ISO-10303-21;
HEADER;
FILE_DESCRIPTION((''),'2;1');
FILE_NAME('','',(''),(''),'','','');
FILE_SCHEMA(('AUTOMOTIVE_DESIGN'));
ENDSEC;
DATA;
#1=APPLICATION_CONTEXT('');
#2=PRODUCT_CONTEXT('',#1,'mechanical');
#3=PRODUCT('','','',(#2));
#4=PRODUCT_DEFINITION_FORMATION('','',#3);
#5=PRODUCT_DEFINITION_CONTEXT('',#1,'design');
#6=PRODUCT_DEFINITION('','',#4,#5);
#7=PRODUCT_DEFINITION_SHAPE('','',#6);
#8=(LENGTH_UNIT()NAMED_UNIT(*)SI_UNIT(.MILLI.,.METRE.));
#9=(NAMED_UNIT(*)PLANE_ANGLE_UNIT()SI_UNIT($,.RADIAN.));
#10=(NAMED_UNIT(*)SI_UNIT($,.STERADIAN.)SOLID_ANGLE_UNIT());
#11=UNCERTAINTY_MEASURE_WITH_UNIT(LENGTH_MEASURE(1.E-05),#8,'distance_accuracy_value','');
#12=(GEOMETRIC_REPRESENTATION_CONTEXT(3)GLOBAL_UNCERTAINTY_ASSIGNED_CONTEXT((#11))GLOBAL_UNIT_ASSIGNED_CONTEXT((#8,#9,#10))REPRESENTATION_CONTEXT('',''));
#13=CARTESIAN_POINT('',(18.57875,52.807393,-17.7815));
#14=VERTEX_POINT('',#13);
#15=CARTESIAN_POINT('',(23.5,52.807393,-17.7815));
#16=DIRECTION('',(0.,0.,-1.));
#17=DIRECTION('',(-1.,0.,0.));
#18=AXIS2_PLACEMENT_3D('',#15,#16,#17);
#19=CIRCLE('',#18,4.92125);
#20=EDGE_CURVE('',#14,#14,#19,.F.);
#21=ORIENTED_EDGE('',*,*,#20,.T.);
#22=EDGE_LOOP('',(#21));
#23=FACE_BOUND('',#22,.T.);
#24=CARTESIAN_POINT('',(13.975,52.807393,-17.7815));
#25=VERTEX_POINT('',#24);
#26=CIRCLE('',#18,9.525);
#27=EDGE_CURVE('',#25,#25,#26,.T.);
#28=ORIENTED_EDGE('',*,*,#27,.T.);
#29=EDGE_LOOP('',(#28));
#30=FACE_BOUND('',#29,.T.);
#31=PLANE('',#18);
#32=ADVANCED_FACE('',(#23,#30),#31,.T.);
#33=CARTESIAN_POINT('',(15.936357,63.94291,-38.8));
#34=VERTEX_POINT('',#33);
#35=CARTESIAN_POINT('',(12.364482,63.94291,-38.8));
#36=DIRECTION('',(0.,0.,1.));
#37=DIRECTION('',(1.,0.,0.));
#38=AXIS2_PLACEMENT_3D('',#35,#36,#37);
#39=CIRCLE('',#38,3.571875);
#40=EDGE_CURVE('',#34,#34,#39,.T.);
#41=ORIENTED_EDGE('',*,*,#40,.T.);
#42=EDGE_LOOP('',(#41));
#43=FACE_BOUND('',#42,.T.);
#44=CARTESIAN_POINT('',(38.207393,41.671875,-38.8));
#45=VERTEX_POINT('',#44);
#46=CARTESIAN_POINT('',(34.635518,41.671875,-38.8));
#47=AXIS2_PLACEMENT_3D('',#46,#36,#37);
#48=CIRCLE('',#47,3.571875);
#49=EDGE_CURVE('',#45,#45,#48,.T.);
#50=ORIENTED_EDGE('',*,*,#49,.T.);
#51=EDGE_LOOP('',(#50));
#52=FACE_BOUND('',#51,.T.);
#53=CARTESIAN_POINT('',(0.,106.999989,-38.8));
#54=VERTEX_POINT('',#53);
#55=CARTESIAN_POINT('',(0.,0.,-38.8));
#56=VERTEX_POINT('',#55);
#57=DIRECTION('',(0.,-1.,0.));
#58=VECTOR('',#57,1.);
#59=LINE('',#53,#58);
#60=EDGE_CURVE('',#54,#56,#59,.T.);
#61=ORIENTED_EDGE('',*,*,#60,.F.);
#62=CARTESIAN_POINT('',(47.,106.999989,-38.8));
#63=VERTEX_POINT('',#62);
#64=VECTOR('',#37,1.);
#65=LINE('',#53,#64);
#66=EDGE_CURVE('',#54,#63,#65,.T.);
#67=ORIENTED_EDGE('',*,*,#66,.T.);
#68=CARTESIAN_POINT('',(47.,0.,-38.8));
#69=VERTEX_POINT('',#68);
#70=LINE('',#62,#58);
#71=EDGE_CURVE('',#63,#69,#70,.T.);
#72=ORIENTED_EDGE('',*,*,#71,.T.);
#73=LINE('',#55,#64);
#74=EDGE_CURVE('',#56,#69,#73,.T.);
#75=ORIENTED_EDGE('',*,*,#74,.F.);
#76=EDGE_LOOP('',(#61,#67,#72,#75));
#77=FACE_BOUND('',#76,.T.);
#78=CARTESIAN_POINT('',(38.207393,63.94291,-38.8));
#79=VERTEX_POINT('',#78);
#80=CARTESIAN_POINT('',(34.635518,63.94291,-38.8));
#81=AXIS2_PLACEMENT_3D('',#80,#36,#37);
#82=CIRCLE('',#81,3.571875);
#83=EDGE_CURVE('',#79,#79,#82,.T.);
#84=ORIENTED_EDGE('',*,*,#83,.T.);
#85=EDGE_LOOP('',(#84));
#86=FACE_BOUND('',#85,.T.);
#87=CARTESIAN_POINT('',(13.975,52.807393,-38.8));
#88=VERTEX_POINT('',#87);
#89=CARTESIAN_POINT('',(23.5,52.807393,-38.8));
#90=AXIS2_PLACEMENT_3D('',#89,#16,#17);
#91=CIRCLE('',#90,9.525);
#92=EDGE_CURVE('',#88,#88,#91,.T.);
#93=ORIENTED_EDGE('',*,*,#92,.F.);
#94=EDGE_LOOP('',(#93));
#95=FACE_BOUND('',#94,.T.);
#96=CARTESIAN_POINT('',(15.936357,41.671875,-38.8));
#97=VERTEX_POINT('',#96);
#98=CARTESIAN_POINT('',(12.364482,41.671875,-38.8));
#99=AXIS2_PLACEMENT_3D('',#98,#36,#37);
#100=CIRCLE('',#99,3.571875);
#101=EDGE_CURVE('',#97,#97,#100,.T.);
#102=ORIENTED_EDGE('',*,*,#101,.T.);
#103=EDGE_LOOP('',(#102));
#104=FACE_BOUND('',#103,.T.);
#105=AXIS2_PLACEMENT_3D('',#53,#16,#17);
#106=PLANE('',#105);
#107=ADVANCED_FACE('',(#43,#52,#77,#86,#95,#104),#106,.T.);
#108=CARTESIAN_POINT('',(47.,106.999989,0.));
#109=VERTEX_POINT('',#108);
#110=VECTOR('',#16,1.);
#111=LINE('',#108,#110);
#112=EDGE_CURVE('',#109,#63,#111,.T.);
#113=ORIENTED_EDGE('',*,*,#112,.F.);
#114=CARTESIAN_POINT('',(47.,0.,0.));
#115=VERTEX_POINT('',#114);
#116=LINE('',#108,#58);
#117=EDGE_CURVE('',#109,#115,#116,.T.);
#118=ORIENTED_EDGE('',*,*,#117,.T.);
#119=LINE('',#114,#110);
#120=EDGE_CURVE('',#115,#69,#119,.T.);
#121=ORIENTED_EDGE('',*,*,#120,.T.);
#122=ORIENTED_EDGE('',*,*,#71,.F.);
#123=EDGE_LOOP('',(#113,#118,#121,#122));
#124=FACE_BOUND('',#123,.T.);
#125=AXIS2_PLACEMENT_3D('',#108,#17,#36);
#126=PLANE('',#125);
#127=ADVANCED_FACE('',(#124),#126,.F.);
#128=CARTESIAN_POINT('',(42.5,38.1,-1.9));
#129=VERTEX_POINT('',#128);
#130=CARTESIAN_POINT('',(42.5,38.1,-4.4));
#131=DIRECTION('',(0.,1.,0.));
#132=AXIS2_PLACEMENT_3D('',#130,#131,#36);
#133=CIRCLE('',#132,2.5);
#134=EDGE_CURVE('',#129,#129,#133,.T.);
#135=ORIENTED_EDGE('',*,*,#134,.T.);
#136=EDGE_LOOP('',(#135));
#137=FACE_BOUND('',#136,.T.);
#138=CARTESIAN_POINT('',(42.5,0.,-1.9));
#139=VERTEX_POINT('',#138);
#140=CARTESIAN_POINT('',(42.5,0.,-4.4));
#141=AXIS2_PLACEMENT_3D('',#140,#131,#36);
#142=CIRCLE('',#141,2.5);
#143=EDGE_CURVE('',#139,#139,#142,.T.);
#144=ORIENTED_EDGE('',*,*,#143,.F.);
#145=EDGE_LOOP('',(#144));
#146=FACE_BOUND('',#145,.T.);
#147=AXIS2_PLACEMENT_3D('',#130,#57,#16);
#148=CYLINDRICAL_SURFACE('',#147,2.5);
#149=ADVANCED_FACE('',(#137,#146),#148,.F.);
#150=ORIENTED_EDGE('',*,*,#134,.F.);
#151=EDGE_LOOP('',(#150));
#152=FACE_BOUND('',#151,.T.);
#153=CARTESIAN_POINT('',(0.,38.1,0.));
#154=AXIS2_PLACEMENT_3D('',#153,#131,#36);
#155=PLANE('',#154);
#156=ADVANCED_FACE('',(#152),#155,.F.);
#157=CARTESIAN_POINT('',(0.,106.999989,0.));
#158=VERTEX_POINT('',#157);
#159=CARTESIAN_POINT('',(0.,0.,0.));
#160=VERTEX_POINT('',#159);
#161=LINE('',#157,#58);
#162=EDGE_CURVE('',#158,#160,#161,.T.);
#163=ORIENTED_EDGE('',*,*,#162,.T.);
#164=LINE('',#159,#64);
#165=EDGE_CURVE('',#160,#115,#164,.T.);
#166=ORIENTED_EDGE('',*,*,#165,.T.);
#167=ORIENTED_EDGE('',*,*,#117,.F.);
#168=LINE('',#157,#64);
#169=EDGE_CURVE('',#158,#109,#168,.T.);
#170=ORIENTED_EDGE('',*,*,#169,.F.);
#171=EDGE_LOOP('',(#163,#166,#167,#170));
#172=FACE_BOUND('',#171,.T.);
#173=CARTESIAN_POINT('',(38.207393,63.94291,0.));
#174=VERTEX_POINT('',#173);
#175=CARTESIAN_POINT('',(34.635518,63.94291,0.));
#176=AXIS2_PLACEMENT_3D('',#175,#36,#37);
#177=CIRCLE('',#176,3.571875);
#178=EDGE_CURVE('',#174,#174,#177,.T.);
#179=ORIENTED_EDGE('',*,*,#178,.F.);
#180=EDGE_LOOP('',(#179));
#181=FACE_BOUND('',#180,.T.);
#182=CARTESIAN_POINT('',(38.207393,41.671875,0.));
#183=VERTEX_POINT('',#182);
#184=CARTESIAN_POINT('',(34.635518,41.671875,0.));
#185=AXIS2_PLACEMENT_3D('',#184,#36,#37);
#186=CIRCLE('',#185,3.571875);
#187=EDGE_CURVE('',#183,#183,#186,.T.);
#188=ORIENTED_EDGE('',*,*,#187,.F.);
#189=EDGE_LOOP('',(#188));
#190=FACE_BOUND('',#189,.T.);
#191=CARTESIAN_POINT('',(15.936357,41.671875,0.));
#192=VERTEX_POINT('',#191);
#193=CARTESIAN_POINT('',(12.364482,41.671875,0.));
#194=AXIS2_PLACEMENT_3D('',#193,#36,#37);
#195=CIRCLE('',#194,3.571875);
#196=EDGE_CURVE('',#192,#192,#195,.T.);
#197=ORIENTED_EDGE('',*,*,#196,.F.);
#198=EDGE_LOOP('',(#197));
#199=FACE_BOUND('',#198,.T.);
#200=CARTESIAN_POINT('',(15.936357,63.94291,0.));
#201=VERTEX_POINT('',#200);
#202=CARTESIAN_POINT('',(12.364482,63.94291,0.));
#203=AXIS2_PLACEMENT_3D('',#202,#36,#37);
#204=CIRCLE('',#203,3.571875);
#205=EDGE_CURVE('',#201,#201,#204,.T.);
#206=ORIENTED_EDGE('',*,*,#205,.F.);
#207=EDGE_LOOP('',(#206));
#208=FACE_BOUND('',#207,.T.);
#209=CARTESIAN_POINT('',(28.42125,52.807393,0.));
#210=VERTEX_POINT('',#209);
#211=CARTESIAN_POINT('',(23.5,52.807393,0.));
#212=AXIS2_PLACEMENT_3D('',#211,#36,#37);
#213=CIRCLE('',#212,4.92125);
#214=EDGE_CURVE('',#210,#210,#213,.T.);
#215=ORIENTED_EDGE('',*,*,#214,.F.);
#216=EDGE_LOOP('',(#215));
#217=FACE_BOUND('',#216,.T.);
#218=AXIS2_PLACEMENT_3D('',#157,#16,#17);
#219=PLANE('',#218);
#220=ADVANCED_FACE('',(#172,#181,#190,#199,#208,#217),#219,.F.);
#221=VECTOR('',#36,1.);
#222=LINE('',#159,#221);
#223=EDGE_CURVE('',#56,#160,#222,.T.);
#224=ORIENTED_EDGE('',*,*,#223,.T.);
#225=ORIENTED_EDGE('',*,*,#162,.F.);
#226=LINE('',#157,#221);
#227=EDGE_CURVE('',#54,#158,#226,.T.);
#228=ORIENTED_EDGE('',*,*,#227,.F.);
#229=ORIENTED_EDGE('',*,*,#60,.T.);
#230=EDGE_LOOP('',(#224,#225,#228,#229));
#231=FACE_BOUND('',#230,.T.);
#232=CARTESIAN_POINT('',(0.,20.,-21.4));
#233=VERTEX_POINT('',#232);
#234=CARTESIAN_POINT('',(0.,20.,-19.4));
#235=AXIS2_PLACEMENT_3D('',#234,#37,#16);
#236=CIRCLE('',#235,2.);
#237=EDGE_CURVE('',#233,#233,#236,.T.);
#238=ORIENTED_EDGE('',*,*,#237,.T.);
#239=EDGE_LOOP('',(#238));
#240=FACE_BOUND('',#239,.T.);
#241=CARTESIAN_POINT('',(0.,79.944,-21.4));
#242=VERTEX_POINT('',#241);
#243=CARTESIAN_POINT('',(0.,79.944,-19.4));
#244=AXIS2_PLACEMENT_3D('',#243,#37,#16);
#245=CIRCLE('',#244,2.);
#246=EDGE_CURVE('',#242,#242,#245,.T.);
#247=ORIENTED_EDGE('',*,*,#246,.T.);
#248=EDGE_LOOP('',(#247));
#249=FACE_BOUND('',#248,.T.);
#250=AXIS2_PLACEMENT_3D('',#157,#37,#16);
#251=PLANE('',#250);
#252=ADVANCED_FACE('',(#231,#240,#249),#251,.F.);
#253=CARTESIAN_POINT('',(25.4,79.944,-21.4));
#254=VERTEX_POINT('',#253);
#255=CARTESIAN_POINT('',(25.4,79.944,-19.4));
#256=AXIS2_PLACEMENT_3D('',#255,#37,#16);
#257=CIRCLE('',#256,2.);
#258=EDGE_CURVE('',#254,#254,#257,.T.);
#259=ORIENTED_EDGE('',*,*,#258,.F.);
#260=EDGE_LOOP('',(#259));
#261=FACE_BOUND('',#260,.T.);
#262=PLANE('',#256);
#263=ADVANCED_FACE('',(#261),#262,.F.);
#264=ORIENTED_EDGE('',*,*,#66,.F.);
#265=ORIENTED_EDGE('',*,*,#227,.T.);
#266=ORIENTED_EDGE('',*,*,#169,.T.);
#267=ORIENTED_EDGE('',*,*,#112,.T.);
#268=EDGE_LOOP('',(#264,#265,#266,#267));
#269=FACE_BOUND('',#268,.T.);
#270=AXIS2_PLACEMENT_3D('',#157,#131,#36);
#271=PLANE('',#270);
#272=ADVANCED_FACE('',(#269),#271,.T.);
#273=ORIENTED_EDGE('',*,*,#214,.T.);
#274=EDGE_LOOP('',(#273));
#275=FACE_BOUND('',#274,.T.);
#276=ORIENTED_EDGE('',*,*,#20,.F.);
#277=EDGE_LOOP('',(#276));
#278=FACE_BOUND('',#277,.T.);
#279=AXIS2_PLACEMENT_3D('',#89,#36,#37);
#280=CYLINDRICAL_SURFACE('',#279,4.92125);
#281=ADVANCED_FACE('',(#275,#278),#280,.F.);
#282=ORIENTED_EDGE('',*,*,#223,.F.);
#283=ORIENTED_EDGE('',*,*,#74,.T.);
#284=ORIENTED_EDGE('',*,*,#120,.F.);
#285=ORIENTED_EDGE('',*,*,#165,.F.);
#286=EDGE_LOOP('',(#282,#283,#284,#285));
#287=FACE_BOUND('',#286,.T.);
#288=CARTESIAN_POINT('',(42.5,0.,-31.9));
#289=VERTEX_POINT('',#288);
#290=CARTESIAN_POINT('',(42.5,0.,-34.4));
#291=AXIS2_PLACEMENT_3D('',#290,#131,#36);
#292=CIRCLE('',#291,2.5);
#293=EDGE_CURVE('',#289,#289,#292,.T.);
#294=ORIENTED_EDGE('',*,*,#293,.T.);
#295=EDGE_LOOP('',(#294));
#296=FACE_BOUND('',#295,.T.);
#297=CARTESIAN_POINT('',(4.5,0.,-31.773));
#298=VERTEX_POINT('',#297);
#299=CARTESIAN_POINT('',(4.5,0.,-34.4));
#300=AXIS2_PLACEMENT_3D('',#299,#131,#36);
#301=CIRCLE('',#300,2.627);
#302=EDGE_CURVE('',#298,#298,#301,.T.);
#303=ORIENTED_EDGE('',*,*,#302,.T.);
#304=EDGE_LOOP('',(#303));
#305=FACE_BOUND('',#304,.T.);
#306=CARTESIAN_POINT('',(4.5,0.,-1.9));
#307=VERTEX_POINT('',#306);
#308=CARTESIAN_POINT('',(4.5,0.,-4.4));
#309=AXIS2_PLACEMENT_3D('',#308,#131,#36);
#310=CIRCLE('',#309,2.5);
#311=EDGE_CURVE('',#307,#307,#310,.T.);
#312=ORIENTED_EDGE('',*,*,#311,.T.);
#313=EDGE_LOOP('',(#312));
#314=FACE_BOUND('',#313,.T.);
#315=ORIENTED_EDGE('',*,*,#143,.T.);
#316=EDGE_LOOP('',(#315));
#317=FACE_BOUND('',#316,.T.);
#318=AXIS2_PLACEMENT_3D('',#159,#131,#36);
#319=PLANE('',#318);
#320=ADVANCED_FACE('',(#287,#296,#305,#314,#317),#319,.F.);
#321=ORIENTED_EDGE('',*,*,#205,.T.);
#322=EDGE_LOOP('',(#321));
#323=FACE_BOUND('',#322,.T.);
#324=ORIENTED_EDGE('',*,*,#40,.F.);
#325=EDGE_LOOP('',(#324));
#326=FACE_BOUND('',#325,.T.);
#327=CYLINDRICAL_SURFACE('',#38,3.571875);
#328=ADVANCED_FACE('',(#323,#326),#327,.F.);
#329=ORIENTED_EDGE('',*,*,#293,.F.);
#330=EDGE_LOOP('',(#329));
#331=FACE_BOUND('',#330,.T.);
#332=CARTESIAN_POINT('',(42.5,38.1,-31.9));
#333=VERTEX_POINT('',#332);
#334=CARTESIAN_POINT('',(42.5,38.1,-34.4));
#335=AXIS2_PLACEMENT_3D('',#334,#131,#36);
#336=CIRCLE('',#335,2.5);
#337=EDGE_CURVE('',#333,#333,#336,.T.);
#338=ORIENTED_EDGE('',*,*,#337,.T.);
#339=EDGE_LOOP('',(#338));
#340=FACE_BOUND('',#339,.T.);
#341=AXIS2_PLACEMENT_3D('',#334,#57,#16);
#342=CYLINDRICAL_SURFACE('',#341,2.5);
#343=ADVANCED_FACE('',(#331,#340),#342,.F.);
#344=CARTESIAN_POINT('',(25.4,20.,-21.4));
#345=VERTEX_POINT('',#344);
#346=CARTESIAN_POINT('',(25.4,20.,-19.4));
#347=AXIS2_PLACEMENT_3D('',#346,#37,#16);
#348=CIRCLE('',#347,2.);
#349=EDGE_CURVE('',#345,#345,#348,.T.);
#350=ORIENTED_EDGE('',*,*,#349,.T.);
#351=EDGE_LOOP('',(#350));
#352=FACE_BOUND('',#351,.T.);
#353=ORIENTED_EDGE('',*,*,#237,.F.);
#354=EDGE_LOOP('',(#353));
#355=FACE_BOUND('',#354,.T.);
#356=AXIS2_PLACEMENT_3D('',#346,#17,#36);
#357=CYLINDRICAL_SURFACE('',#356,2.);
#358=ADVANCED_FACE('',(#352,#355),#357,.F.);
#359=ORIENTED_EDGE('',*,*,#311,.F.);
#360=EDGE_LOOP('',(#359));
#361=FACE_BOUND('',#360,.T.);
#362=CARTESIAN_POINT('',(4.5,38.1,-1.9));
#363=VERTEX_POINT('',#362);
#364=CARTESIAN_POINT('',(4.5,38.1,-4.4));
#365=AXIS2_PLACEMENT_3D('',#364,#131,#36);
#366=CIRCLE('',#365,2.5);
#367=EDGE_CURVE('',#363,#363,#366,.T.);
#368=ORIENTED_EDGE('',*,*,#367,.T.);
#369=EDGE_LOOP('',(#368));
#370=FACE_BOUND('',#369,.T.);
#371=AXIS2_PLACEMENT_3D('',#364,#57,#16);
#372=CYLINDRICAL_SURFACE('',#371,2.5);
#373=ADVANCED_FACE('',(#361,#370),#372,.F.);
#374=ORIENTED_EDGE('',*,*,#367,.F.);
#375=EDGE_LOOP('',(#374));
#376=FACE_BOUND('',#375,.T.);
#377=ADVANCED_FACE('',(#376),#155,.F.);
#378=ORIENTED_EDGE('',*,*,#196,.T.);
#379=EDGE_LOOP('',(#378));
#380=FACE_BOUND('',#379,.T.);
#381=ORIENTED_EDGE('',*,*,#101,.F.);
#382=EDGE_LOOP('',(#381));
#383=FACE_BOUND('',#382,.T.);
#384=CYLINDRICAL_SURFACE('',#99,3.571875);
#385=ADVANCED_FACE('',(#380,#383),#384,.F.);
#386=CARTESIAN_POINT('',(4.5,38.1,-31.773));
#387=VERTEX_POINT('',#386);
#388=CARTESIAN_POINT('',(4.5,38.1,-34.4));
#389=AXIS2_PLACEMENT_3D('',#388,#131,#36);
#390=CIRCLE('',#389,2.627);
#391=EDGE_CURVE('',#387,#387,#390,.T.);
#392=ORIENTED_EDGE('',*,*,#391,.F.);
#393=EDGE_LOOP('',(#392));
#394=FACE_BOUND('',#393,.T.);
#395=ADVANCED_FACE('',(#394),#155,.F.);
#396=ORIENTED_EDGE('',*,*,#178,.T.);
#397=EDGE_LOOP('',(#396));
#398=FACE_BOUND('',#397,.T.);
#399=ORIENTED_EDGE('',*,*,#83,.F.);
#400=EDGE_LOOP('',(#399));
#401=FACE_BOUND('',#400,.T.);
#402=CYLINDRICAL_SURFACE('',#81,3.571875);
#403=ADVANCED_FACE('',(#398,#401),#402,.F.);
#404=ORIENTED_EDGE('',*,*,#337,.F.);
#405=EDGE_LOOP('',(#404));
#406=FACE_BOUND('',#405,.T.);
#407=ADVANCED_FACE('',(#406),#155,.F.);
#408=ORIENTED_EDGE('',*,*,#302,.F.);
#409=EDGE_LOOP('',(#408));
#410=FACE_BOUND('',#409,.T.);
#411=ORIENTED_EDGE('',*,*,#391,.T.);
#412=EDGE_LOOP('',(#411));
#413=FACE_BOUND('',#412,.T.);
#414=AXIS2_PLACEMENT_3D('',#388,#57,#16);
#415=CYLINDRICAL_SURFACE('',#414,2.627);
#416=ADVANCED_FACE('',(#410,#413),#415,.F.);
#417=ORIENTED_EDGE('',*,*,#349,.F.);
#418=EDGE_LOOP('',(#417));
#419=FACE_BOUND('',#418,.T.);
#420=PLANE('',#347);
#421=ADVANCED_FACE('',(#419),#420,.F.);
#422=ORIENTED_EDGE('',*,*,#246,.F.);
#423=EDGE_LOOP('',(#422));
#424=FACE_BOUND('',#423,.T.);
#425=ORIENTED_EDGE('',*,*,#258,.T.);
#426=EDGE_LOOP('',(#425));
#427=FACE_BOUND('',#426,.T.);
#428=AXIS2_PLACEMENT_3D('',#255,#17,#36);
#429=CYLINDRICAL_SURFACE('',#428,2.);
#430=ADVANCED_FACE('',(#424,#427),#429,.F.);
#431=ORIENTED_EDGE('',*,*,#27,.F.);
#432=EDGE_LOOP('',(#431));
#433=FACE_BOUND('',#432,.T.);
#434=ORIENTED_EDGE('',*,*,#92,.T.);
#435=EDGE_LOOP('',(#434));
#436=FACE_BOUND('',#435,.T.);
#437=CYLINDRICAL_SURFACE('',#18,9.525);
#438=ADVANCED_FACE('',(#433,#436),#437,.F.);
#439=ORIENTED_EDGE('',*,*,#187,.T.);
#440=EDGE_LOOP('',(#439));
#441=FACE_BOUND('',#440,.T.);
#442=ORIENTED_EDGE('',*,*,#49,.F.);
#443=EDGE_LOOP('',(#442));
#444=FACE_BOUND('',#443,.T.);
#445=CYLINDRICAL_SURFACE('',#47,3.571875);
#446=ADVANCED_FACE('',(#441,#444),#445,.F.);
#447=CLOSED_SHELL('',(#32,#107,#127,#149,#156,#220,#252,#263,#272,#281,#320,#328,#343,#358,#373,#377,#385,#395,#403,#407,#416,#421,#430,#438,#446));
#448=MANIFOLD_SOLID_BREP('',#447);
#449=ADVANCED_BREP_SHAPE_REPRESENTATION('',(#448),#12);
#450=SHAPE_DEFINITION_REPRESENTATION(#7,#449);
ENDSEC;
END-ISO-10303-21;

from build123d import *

# Parameters (mm, degrees)
SKETCH1_W           = 47
SKETCH1_H           = 38.8
SKETCH1_R           = 2.5
SKETCH1_R_2         = 2.627
BOSS_EXTRUDE1_DEPTH = 106.999989
SKETCH2_R           = 3.571875
SKETCH2_R_2         = 4.92125
CUT_EXTRUDE1_DEPTH  = 39.8
SKETCH1_8_R         = 2.627
SKETCH1_8_R_2       = 2.5
CUT_EXTRUDE2_DEPTH  = 38.1
CUT_EXTRUDE3_START  = -47
SKETCH3_R           = 2
CUT_EXTRUDE3_DEPTH  = 25.4
SKETCH4_R           = 9.525
CUT_EXTRUDE4_DEPTH  = 21.0185


with BuildPart() as part:
    # Sketch1 → Boss-Extrude1 (new body)
    with BuildSketch(Plane(origin=(0, 0, 0), x_dir=(1, 0, 0), z_dir=(0, 1, 0))):
        with Locations((23.5, 19.4)):
            Rectangle(SKETCH1_W, SKETCH1_H)
        with Locations((4.5, 4.4)):
            Circle(SKETCH1_R, mode=Mode.SUBTRACT)
        with Locations((42.5, 4.4)):
            Circle(SKETCH1_R, mode=Mode.SUBTRACT)
        with Locations((4.5, 34.4)):
            Circle(SKETCH1_R_2, mode=Mode.SUBTRACT)
        with Locations((42.5, 34.4)):
            Circle(SKETCH1_R, mode=Mode.SUBTRACT)
        with Locations((42.5, 4.4)):
            Circle(SKETCH1_R)
        with Locations((4.5, 4.4)):
            Circle(SKETCH1_R)
        with Locations((4.5, 34.4)):
            Circle(SKETCH1_R_2)
        with Locations((42.5, 34.4)):
            Circle(SKETCH1_R)
    extrude(amount=BOSS_EXTRUDE1_DEPTH)

    # Sketch2 → Cut-Extrude1 (cut, through all)
    with BuildSketch(Plane.XY):
        with Locations((12.36448241, 63.94291018)):
            Circle(SKETCH2_R)
        with Locations((34.63551759, 63.94291018)):
            Circle(SKETCH2_R)
        with Locations((34.63551759, 41.671875)):
            Circle(SKETCH2_R)
        with Locations((23.5, 52.80739259)):
            Circle(SKETCH2_R_2)
        with Locations((12.36448241, 41.671875)):
            Circle(SKETCH2_R)
    extrude(amount=-CUT_EXTRUDE1_DEPTH, mode=Mode.SUBTRACT)

    # Sketch1<8> → Cut-Extrude2 (cut)
    with BuildSketch(Plane(origin=(0, 0, 0), x_dir=(1, 0, 0), z_dir=(0, 1, 0))):
        with Locations((4.5, 34.4)):
            Circle(SKETCH1_8_R)
        with Locations((4.5, 4.4)):
            Circle(SKETCH1_8_R_2)
        with Locations((42.5, 4.4)):
            Circle(SKETCH1_8_R_2)
        with Locations((42.5, 34.4)):
            Circle(SKETCH1_8_R_2)
    extrude(amount=CUT_EXTRUDE2_DEPTH, mode=Mode.SUBTRACT)

    # Sketch3 → Cut-Extrude3 (cut)
    with BuildSketch(Plane(origin=(47, 0, 0), x_dir=(0, 0, -1), z_dir=(1, 0, 0)).offset(CUT_EXTRUDE3_START)):
        with Locations((19.4, 20)):
            Circle(SKETCH3_R)
        with Locations((19.4, 79.944)):
            Circle(SKETCH3_R)
    extrude(amount=CUT_EXTRUDE3_DEPTH, mode=Mode.SUBTRACT)

    # Sketch4 → Cut-Extrude4 (cut)
    with BuildSketch(Plane(origin=(0, 0, -38.8), x_dir=(-1, 0, 0), z_dir=(0, 0, -1))):
        with Locations((-23.5, 52.80739259)):
            Circle(SKETCH4_R)
    extrude(amount=-CUT_EXTRUDE4_DEPTH, mode=Mode.SUBTRACT)


solid = part.part
